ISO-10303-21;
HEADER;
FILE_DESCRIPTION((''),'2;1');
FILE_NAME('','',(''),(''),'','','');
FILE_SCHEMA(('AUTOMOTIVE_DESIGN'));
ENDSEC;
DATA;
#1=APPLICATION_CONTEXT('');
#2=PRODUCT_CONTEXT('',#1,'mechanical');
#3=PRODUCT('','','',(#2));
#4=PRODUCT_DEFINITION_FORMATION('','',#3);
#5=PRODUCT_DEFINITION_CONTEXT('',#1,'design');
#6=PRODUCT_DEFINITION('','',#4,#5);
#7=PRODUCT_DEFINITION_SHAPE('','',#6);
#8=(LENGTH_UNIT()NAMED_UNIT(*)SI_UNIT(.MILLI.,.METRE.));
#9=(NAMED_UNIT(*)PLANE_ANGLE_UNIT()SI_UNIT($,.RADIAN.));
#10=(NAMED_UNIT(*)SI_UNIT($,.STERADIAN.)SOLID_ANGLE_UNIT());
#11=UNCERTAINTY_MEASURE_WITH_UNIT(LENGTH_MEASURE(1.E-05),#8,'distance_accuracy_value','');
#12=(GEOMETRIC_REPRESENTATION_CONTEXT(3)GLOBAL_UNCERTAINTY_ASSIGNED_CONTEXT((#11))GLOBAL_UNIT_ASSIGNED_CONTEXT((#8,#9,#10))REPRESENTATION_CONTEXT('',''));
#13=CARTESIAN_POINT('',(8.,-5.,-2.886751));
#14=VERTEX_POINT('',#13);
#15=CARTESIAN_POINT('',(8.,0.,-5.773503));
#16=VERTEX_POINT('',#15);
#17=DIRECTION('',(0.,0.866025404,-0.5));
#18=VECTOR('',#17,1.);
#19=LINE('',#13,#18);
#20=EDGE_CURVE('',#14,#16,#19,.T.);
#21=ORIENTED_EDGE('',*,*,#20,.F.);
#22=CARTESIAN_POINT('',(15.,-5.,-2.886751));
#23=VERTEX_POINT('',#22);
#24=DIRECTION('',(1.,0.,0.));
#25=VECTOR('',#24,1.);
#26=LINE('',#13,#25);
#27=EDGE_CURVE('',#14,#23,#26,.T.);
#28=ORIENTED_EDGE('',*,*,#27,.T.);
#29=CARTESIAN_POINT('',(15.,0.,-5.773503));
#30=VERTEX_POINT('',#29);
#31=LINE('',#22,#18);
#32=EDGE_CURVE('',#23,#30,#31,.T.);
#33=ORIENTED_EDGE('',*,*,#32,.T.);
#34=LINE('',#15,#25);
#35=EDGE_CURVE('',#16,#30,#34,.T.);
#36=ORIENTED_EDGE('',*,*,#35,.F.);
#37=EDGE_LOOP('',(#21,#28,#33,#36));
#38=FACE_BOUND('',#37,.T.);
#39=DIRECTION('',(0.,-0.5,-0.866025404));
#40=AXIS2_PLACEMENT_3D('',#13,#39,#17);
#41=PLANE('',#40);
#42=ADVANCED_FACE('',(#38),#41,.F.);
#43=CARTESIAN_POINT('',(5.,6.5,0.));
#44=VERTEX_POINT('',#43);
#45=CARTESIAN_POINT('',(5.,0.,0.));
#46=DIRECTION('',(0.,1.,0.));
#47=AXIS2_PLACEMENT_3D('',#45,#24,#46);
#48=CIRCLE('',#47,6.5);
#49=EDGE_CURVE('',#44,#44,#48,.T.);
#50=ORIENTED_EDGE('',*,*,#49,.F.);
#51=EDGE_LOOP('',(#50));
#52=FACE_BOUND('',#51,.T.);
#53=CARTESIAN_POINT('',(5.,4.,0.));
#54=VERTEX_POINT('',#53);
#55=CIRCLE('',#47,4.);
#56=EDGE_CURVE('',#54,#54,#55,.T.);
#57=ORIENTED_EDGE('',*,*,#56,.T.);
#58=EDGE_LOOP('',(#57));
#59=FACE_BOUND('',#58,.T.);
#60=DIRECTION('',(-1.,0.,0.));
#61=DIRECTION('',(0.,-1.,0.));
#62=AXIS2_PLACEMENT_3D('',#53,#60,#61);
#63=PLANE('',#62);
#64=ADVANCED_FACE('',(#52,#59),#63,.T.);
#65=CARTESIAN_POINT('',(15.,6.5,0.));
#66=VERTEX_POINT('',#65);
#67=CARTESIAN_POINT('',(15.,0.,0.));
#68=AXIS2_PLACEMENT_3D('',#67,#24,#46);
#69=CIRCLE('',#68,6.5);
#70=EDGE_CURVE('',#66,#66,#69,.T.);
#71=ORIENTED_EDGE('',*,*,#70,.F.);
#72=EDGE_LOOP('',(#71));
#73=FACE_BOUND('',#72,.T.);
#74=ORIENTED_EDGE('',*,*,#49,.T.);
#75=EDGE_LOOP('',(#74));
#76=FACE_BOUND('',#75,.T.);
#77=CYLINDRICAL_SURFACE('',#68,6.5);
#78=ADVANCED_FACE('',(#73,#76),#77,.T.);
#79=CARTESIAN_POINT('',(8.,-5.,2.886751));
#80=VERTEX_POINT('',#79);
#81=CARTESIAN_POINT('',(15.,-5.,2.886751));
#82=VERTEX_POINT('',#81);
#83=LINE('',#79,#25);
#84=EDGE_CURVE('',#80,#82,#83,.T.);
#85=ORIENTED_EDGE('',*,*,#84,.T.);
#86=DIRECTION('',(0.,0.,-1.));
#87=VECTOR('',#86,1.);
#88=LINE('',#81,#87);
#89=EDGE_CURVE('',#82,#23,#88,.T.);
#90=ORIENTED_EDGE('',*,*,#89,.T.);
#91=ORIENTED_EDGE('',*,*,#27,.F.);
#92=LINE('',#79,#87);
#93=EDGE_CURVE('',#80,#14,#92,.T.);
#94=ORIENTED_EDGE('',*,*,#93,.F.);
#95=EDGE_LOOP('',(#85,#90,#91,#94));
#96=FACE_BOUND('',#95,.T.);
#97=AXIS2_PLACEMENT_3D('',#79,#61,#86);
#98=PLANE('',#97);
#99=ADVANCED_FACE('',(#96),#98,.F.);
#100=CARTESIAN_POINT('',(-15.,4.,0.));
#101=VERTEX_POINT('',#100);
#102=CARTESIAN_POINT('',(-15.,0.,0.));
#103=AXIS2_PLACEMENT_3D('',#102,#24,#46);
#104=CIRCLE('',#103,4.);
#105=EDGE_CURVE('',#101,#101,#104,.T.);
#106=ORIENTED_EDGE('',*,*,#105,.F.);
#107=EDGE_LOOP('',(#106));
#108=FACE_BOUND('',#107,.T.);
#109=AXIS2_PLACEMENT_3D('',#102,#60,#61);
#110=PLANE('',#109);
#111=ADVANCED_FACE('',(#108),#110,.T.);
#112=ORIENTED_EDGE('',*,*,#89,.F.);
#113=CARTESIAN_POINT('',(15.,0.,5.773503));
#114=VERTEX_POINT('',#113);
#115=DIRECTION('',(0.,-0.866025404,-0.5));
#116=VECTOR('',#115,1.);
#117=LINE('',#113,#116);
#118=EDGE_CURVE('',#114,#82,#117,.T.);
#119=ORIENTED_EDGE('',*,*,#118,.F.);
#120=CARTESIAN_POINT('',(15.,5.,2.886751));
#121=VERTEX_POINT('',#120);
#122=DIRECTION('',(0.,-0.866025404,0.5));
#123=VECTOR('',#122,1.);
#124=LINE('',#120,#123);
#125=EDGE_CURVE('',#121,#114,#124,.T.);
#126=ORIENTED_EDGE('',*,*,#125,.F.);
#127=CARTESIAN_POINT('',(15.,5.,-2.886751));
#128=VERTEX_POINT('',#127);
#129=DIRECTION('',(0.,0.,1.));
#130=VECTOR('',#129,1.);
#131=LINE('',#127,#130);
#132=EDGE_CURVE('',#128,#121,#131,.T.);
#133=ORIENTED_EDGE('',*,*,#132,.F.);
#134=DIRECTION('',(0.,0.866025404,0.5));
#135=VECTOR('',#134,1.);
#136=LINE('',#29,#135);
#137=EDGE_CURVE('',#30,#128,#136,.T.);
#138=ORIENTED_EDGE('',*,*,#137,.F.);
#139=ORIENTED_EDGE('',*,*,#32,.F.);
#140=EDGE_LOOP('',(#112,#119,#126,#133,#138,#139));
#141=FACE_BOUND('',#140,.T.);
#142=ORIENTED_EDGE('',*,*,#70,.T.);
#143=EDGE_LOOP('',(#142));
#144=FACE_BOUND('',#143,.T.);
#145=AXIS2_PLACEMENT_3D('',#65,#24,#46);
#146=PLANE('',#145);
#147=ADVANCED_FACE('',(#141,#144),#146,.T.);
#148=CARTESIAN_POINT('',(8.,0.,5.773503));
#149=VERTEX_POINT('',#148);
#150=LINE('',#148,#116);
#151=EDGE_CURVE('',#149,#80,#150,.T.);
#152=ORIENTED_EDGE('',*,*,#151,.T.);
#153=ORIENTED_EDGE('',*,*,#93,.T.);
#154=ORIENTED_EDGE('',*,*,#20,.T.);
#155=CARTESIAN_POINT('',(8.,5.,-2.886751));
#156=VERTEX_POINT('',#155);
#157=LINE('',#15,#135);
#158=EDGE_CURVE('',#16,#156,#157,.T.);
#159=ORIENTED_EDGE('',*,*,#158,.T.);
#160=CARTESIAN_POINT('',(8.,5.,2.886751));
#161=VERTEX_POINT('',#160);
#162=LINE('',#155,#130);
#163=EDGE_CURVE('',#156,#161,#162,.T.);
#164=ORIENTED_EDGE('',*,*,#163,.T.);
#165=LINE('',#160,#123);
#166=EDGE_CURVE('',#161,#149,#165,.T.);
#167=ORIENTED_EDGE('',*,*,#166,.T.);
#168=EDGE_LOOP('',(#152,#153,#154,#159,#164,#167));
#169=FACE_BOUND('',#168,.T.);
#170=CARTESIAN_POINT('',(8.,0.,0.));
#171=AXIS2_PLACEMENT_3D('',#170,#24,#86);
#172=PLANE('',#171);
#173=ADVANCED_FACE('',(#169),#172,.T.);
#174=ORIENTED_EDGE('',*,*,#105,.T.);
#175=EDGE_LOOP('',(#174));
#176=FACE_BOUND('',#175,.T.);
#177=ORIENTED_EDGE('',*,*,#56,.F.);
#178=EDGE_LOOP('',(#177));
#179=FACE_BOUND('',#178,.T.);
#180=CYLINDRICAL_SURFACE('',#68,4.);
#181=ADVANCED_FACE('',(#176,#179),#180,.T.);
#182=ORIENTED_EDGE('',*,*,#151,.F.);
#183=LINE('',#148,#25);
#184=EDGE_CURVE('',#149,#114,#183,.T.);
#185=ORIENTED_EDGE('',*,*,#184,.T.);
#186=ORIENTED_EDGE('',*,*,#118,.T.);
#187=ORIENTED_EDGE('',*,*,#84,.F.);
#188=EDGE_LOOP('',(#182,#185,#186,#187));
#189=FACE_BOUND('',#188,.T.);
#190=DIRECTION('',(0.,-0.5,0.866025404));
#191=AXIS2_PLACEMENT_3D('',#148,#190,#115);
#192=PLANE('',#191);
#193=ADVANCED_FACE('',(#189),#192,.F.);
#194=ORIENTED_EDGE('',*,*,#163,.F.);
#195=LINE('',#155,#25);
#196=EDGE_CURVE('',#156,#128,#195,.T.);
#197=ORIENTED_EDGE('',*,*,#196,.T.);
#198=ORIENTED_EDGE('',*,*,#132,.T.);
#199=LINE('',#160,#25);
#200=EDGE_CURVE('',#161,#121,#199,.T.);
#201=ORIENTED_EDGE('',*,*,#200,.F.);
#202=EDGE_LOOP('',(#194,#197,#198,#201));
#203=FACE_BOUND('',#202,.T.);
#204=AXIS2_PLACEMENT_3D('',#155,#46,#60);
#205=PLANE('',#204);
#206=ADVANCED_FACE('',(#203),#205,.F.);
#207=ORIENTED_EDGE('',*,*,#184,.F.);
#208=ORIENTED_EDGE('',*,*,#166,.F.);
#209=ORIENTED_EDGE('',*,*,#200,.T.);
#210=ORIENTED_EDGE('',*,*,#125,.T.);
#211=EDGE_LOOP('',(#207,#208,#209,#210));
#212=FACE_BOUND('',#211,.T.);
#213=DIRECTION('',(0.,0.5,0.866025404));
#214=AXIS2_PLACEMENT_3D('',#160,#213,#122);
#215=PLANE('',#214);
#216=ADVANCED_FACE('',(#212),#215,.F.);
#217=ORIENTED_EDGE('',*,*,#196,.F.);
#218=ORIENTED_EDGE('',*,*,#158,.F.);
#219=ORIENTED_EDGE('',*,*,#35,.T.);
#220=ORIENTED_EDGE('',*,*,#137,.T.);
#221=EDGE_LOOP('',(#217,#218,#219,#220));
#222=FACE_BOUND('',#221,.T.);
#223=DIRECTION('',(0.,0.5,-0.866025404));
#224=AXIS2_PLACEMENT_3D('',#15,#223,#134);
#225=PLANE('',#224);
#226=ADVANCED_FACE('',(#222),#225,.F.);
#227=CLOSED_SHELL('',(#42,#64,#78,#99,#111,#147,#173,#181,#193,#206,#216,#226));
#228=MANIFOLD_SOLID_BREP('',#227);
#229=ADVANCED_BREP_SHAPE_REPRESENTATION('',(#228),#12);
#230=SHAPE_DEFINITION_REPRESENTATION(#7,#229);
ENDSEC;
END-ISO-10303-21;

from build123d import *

# Parameters (mm, degrees)
CUT_EXTRUDE1_DEPTH = 7


with BuildPart() as part:
    # Sketch1 → Revolve1 (revolve)
    with BuildSketch(Plane.XY):
        Polygon((15, 0), (-15, 0), (-15, 4), (5, 4), (5, 6.5), (15, 6.5), align=None)
    revolve(axis=Axis((15, 0, 0), (-1, 0, 0)))

    # Sketch2 → Cut-Extrude1 (cut)
    with BuildSketch(Plane(origin=(15, 0, 0), x_dir=(0, 0, -1), z_dir=(1, 0, 0))):
        Polygon((5.773502692, 0), (2.886751346, 5), (-2.886751346, 5), (-5.773502692, 0), (-2.886751346, -5), (2.886751346, -5), align=None)
    extrude(amount=-CUT_EXTRUDE1_DEPTH, mode=Mode.SUBTRACT)


solid = part.part
